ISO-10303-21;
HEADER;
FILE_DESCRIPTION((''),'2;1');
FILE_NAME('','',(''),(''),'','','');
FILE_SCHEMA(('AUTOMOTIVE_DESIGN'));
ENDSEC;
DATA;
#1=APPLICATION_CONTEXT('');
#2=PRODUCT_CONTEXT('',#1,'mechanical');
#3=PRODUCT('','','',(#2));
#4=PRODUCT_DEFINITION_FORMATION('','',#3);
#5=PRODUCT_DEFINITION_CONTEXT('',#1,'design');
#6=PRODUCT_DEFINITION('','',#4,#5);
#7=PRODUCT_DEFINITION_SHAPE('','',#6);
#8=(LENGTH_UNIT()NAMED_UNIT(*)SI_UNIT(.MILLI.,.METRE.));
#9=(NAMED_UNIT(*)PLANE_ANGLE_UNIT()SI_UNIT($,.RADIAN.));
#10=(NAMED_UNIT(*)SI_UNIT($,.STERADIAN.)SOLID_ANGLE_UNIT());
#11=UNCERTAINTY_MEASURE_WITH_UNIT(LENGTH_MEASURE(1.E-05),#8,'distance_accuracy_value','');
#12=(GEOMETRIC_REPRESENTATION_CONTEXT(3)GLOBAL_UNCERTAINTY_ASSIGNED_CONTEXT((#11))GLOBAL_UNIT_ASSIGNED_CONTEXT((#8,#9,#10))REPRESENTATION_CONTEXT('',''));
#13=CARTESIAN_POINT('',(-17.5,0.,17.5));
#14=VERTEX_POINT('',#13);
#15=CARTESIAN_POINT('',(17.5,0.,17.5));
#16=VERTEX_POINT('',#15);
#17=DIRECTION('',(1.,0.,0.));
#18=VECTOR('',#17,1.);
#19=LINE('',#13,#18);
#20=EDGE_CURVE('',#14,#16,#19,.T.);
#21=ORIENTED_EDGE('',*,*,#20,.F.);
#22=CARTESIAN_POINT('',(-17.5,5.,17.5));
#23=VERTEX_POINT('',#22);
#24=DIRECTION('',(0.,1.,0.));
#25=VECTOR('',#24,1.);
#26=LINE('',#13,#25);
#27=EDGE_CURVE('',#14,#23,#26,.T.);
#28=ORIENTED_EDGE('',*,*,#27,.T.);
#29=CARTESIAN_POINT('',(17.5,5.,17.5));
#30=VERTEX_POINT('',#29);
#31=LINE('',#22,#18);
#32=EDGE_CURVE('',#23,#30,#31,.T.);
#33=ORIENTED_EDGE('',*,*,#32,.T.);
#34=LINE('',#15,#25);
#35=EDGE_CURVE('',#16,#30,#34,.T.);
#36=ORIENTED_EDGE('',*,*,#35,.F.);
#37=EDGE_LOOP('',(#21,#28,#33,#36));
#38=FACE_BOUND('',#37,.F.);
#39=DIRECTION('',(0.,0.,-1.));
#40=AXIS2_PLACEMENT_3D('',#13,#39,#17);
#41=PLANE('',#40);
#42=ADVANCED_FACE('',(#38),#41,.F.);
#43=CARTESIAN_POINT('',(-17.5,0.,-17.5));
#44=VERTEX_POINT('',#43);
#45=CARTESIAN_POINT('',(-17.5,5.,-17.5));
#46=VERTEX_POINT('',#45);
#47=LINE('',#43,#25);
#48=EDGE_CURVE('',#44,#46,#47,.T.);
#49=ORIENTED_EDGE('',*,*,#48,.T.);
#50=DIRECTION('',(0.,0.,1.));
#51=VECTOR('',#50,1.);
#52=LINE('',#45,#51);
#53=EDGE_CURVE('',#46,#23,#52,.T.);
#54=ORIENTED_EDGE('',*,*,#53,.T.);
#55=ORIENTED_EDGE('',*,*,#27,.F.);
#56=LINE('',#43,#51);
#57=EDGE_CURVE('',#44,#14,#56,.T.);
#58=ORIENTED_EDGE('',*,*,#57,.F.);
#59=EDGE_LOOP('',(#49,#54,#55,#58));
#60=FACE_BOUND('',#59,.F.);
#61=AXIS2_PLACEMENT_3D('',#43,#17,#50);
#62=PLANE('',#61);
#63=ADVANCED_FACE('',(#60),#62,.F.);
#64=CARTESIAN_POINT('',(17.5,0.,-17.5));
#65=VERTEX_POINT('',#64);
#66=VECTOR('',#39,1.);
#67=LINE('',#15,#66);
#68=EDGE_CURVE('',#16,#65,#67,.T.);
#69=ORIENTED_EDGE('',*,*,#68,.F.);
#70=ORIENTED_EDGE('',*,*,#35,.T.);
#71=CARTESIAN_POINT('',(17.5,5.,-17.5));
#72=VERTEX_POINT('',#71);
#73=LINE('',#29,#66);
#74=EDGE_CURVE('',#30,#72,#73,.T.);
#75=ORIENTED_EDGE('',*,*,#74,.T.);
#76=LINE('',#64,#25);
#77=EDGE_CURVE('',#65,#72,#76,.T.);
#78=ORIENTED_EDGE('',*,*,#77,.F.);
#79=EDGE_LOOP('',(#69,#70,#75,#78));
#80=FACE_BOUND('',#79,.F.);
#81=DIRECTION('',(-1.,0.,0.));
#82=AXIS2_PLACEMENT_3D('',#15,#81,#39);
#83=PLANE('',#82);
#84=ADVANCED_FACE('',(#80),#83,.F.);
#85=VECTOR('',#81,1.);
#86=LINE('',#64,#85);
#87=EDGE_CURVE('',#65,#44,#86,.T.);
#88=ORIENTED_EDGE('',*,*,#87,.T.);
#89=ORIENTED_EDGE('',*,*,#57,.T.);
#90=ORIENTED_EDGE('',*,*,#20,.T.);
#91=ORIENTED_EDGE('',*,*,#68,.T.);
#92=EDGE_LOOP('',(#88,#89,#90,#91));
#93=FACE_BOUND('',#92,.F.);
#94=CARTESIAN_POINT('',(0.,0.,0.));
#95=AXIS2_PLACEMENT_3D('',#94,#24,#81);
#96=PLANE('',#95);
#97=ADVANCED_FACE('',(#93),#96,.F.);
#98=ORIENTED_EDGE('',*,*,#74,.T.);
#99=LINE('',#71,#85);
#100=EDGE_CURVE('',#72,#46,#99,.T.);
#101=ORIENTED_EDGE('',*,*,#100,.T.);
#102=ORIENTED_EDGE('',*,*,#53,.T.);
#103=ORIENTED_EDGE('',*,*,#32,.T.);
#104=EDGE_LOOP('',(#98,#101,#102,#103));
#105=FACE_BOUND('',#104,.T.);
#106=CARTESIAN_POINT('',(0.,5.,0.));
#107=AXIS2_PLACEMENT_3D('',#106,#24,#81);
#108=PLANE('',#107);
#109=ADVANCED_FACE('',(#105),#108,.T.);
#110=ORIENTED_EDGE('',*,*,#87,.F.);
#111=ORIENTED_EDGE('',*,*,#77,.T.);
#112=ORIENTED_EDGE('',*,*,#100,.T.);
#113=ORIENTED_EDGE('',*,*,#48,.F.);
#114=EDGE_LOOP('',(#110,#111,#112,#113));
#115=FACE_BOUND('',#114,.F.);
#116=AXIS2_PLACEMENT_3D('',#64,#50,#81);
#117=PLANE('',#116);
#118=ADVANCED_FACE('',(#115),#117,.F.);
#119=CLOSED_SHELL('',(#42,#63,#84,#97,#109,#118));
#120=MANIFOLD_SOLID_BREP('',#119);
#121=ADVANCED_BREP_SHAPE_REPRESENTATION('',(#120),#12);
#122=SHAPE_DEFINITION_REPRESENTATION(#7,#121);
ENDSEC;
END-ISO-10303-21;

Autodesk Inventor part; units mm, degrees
ref_plane "YZ Plane" through (0, 0, 0) normal (1, 0, 0) x (0, 1, 0)
ref_plane "XZ Plane" through (0, 0, 0) normal (0, 1, 0) x (-1, 0, 0)
ref_plane "XY Plane" through (0, 0, 0) normal (0, 0, 1) x (1, 0, 0)
sketch "Sketch1" plane through (0, 0, 0) normal (0, 1, 0) x (-1, 0, 0)
  line L0 (-17.5, -17.5) -> (17.5, -17.5)
  line L1 (17.5, -17.5) -> (17.5, 17.5)
  line L2 (17.5, 17.5) -> (-17.5, 17.5)
  line L3 (-17.5, 17.5) -> (-17.5, -17.5)
  line L4 (-17.5, -17.5) -> (17.5, 17.5) construction
  line L5 (17.5, -17.5) -> (-17.5, 17.5) construction
  point P0 (0, 0)
  dimension "d0" = 35
  dimension "d1" = 35
extrude "Extrusion1" add sketch "Sketch1" along normal blind 5
properties part number "20by20mmChip"
